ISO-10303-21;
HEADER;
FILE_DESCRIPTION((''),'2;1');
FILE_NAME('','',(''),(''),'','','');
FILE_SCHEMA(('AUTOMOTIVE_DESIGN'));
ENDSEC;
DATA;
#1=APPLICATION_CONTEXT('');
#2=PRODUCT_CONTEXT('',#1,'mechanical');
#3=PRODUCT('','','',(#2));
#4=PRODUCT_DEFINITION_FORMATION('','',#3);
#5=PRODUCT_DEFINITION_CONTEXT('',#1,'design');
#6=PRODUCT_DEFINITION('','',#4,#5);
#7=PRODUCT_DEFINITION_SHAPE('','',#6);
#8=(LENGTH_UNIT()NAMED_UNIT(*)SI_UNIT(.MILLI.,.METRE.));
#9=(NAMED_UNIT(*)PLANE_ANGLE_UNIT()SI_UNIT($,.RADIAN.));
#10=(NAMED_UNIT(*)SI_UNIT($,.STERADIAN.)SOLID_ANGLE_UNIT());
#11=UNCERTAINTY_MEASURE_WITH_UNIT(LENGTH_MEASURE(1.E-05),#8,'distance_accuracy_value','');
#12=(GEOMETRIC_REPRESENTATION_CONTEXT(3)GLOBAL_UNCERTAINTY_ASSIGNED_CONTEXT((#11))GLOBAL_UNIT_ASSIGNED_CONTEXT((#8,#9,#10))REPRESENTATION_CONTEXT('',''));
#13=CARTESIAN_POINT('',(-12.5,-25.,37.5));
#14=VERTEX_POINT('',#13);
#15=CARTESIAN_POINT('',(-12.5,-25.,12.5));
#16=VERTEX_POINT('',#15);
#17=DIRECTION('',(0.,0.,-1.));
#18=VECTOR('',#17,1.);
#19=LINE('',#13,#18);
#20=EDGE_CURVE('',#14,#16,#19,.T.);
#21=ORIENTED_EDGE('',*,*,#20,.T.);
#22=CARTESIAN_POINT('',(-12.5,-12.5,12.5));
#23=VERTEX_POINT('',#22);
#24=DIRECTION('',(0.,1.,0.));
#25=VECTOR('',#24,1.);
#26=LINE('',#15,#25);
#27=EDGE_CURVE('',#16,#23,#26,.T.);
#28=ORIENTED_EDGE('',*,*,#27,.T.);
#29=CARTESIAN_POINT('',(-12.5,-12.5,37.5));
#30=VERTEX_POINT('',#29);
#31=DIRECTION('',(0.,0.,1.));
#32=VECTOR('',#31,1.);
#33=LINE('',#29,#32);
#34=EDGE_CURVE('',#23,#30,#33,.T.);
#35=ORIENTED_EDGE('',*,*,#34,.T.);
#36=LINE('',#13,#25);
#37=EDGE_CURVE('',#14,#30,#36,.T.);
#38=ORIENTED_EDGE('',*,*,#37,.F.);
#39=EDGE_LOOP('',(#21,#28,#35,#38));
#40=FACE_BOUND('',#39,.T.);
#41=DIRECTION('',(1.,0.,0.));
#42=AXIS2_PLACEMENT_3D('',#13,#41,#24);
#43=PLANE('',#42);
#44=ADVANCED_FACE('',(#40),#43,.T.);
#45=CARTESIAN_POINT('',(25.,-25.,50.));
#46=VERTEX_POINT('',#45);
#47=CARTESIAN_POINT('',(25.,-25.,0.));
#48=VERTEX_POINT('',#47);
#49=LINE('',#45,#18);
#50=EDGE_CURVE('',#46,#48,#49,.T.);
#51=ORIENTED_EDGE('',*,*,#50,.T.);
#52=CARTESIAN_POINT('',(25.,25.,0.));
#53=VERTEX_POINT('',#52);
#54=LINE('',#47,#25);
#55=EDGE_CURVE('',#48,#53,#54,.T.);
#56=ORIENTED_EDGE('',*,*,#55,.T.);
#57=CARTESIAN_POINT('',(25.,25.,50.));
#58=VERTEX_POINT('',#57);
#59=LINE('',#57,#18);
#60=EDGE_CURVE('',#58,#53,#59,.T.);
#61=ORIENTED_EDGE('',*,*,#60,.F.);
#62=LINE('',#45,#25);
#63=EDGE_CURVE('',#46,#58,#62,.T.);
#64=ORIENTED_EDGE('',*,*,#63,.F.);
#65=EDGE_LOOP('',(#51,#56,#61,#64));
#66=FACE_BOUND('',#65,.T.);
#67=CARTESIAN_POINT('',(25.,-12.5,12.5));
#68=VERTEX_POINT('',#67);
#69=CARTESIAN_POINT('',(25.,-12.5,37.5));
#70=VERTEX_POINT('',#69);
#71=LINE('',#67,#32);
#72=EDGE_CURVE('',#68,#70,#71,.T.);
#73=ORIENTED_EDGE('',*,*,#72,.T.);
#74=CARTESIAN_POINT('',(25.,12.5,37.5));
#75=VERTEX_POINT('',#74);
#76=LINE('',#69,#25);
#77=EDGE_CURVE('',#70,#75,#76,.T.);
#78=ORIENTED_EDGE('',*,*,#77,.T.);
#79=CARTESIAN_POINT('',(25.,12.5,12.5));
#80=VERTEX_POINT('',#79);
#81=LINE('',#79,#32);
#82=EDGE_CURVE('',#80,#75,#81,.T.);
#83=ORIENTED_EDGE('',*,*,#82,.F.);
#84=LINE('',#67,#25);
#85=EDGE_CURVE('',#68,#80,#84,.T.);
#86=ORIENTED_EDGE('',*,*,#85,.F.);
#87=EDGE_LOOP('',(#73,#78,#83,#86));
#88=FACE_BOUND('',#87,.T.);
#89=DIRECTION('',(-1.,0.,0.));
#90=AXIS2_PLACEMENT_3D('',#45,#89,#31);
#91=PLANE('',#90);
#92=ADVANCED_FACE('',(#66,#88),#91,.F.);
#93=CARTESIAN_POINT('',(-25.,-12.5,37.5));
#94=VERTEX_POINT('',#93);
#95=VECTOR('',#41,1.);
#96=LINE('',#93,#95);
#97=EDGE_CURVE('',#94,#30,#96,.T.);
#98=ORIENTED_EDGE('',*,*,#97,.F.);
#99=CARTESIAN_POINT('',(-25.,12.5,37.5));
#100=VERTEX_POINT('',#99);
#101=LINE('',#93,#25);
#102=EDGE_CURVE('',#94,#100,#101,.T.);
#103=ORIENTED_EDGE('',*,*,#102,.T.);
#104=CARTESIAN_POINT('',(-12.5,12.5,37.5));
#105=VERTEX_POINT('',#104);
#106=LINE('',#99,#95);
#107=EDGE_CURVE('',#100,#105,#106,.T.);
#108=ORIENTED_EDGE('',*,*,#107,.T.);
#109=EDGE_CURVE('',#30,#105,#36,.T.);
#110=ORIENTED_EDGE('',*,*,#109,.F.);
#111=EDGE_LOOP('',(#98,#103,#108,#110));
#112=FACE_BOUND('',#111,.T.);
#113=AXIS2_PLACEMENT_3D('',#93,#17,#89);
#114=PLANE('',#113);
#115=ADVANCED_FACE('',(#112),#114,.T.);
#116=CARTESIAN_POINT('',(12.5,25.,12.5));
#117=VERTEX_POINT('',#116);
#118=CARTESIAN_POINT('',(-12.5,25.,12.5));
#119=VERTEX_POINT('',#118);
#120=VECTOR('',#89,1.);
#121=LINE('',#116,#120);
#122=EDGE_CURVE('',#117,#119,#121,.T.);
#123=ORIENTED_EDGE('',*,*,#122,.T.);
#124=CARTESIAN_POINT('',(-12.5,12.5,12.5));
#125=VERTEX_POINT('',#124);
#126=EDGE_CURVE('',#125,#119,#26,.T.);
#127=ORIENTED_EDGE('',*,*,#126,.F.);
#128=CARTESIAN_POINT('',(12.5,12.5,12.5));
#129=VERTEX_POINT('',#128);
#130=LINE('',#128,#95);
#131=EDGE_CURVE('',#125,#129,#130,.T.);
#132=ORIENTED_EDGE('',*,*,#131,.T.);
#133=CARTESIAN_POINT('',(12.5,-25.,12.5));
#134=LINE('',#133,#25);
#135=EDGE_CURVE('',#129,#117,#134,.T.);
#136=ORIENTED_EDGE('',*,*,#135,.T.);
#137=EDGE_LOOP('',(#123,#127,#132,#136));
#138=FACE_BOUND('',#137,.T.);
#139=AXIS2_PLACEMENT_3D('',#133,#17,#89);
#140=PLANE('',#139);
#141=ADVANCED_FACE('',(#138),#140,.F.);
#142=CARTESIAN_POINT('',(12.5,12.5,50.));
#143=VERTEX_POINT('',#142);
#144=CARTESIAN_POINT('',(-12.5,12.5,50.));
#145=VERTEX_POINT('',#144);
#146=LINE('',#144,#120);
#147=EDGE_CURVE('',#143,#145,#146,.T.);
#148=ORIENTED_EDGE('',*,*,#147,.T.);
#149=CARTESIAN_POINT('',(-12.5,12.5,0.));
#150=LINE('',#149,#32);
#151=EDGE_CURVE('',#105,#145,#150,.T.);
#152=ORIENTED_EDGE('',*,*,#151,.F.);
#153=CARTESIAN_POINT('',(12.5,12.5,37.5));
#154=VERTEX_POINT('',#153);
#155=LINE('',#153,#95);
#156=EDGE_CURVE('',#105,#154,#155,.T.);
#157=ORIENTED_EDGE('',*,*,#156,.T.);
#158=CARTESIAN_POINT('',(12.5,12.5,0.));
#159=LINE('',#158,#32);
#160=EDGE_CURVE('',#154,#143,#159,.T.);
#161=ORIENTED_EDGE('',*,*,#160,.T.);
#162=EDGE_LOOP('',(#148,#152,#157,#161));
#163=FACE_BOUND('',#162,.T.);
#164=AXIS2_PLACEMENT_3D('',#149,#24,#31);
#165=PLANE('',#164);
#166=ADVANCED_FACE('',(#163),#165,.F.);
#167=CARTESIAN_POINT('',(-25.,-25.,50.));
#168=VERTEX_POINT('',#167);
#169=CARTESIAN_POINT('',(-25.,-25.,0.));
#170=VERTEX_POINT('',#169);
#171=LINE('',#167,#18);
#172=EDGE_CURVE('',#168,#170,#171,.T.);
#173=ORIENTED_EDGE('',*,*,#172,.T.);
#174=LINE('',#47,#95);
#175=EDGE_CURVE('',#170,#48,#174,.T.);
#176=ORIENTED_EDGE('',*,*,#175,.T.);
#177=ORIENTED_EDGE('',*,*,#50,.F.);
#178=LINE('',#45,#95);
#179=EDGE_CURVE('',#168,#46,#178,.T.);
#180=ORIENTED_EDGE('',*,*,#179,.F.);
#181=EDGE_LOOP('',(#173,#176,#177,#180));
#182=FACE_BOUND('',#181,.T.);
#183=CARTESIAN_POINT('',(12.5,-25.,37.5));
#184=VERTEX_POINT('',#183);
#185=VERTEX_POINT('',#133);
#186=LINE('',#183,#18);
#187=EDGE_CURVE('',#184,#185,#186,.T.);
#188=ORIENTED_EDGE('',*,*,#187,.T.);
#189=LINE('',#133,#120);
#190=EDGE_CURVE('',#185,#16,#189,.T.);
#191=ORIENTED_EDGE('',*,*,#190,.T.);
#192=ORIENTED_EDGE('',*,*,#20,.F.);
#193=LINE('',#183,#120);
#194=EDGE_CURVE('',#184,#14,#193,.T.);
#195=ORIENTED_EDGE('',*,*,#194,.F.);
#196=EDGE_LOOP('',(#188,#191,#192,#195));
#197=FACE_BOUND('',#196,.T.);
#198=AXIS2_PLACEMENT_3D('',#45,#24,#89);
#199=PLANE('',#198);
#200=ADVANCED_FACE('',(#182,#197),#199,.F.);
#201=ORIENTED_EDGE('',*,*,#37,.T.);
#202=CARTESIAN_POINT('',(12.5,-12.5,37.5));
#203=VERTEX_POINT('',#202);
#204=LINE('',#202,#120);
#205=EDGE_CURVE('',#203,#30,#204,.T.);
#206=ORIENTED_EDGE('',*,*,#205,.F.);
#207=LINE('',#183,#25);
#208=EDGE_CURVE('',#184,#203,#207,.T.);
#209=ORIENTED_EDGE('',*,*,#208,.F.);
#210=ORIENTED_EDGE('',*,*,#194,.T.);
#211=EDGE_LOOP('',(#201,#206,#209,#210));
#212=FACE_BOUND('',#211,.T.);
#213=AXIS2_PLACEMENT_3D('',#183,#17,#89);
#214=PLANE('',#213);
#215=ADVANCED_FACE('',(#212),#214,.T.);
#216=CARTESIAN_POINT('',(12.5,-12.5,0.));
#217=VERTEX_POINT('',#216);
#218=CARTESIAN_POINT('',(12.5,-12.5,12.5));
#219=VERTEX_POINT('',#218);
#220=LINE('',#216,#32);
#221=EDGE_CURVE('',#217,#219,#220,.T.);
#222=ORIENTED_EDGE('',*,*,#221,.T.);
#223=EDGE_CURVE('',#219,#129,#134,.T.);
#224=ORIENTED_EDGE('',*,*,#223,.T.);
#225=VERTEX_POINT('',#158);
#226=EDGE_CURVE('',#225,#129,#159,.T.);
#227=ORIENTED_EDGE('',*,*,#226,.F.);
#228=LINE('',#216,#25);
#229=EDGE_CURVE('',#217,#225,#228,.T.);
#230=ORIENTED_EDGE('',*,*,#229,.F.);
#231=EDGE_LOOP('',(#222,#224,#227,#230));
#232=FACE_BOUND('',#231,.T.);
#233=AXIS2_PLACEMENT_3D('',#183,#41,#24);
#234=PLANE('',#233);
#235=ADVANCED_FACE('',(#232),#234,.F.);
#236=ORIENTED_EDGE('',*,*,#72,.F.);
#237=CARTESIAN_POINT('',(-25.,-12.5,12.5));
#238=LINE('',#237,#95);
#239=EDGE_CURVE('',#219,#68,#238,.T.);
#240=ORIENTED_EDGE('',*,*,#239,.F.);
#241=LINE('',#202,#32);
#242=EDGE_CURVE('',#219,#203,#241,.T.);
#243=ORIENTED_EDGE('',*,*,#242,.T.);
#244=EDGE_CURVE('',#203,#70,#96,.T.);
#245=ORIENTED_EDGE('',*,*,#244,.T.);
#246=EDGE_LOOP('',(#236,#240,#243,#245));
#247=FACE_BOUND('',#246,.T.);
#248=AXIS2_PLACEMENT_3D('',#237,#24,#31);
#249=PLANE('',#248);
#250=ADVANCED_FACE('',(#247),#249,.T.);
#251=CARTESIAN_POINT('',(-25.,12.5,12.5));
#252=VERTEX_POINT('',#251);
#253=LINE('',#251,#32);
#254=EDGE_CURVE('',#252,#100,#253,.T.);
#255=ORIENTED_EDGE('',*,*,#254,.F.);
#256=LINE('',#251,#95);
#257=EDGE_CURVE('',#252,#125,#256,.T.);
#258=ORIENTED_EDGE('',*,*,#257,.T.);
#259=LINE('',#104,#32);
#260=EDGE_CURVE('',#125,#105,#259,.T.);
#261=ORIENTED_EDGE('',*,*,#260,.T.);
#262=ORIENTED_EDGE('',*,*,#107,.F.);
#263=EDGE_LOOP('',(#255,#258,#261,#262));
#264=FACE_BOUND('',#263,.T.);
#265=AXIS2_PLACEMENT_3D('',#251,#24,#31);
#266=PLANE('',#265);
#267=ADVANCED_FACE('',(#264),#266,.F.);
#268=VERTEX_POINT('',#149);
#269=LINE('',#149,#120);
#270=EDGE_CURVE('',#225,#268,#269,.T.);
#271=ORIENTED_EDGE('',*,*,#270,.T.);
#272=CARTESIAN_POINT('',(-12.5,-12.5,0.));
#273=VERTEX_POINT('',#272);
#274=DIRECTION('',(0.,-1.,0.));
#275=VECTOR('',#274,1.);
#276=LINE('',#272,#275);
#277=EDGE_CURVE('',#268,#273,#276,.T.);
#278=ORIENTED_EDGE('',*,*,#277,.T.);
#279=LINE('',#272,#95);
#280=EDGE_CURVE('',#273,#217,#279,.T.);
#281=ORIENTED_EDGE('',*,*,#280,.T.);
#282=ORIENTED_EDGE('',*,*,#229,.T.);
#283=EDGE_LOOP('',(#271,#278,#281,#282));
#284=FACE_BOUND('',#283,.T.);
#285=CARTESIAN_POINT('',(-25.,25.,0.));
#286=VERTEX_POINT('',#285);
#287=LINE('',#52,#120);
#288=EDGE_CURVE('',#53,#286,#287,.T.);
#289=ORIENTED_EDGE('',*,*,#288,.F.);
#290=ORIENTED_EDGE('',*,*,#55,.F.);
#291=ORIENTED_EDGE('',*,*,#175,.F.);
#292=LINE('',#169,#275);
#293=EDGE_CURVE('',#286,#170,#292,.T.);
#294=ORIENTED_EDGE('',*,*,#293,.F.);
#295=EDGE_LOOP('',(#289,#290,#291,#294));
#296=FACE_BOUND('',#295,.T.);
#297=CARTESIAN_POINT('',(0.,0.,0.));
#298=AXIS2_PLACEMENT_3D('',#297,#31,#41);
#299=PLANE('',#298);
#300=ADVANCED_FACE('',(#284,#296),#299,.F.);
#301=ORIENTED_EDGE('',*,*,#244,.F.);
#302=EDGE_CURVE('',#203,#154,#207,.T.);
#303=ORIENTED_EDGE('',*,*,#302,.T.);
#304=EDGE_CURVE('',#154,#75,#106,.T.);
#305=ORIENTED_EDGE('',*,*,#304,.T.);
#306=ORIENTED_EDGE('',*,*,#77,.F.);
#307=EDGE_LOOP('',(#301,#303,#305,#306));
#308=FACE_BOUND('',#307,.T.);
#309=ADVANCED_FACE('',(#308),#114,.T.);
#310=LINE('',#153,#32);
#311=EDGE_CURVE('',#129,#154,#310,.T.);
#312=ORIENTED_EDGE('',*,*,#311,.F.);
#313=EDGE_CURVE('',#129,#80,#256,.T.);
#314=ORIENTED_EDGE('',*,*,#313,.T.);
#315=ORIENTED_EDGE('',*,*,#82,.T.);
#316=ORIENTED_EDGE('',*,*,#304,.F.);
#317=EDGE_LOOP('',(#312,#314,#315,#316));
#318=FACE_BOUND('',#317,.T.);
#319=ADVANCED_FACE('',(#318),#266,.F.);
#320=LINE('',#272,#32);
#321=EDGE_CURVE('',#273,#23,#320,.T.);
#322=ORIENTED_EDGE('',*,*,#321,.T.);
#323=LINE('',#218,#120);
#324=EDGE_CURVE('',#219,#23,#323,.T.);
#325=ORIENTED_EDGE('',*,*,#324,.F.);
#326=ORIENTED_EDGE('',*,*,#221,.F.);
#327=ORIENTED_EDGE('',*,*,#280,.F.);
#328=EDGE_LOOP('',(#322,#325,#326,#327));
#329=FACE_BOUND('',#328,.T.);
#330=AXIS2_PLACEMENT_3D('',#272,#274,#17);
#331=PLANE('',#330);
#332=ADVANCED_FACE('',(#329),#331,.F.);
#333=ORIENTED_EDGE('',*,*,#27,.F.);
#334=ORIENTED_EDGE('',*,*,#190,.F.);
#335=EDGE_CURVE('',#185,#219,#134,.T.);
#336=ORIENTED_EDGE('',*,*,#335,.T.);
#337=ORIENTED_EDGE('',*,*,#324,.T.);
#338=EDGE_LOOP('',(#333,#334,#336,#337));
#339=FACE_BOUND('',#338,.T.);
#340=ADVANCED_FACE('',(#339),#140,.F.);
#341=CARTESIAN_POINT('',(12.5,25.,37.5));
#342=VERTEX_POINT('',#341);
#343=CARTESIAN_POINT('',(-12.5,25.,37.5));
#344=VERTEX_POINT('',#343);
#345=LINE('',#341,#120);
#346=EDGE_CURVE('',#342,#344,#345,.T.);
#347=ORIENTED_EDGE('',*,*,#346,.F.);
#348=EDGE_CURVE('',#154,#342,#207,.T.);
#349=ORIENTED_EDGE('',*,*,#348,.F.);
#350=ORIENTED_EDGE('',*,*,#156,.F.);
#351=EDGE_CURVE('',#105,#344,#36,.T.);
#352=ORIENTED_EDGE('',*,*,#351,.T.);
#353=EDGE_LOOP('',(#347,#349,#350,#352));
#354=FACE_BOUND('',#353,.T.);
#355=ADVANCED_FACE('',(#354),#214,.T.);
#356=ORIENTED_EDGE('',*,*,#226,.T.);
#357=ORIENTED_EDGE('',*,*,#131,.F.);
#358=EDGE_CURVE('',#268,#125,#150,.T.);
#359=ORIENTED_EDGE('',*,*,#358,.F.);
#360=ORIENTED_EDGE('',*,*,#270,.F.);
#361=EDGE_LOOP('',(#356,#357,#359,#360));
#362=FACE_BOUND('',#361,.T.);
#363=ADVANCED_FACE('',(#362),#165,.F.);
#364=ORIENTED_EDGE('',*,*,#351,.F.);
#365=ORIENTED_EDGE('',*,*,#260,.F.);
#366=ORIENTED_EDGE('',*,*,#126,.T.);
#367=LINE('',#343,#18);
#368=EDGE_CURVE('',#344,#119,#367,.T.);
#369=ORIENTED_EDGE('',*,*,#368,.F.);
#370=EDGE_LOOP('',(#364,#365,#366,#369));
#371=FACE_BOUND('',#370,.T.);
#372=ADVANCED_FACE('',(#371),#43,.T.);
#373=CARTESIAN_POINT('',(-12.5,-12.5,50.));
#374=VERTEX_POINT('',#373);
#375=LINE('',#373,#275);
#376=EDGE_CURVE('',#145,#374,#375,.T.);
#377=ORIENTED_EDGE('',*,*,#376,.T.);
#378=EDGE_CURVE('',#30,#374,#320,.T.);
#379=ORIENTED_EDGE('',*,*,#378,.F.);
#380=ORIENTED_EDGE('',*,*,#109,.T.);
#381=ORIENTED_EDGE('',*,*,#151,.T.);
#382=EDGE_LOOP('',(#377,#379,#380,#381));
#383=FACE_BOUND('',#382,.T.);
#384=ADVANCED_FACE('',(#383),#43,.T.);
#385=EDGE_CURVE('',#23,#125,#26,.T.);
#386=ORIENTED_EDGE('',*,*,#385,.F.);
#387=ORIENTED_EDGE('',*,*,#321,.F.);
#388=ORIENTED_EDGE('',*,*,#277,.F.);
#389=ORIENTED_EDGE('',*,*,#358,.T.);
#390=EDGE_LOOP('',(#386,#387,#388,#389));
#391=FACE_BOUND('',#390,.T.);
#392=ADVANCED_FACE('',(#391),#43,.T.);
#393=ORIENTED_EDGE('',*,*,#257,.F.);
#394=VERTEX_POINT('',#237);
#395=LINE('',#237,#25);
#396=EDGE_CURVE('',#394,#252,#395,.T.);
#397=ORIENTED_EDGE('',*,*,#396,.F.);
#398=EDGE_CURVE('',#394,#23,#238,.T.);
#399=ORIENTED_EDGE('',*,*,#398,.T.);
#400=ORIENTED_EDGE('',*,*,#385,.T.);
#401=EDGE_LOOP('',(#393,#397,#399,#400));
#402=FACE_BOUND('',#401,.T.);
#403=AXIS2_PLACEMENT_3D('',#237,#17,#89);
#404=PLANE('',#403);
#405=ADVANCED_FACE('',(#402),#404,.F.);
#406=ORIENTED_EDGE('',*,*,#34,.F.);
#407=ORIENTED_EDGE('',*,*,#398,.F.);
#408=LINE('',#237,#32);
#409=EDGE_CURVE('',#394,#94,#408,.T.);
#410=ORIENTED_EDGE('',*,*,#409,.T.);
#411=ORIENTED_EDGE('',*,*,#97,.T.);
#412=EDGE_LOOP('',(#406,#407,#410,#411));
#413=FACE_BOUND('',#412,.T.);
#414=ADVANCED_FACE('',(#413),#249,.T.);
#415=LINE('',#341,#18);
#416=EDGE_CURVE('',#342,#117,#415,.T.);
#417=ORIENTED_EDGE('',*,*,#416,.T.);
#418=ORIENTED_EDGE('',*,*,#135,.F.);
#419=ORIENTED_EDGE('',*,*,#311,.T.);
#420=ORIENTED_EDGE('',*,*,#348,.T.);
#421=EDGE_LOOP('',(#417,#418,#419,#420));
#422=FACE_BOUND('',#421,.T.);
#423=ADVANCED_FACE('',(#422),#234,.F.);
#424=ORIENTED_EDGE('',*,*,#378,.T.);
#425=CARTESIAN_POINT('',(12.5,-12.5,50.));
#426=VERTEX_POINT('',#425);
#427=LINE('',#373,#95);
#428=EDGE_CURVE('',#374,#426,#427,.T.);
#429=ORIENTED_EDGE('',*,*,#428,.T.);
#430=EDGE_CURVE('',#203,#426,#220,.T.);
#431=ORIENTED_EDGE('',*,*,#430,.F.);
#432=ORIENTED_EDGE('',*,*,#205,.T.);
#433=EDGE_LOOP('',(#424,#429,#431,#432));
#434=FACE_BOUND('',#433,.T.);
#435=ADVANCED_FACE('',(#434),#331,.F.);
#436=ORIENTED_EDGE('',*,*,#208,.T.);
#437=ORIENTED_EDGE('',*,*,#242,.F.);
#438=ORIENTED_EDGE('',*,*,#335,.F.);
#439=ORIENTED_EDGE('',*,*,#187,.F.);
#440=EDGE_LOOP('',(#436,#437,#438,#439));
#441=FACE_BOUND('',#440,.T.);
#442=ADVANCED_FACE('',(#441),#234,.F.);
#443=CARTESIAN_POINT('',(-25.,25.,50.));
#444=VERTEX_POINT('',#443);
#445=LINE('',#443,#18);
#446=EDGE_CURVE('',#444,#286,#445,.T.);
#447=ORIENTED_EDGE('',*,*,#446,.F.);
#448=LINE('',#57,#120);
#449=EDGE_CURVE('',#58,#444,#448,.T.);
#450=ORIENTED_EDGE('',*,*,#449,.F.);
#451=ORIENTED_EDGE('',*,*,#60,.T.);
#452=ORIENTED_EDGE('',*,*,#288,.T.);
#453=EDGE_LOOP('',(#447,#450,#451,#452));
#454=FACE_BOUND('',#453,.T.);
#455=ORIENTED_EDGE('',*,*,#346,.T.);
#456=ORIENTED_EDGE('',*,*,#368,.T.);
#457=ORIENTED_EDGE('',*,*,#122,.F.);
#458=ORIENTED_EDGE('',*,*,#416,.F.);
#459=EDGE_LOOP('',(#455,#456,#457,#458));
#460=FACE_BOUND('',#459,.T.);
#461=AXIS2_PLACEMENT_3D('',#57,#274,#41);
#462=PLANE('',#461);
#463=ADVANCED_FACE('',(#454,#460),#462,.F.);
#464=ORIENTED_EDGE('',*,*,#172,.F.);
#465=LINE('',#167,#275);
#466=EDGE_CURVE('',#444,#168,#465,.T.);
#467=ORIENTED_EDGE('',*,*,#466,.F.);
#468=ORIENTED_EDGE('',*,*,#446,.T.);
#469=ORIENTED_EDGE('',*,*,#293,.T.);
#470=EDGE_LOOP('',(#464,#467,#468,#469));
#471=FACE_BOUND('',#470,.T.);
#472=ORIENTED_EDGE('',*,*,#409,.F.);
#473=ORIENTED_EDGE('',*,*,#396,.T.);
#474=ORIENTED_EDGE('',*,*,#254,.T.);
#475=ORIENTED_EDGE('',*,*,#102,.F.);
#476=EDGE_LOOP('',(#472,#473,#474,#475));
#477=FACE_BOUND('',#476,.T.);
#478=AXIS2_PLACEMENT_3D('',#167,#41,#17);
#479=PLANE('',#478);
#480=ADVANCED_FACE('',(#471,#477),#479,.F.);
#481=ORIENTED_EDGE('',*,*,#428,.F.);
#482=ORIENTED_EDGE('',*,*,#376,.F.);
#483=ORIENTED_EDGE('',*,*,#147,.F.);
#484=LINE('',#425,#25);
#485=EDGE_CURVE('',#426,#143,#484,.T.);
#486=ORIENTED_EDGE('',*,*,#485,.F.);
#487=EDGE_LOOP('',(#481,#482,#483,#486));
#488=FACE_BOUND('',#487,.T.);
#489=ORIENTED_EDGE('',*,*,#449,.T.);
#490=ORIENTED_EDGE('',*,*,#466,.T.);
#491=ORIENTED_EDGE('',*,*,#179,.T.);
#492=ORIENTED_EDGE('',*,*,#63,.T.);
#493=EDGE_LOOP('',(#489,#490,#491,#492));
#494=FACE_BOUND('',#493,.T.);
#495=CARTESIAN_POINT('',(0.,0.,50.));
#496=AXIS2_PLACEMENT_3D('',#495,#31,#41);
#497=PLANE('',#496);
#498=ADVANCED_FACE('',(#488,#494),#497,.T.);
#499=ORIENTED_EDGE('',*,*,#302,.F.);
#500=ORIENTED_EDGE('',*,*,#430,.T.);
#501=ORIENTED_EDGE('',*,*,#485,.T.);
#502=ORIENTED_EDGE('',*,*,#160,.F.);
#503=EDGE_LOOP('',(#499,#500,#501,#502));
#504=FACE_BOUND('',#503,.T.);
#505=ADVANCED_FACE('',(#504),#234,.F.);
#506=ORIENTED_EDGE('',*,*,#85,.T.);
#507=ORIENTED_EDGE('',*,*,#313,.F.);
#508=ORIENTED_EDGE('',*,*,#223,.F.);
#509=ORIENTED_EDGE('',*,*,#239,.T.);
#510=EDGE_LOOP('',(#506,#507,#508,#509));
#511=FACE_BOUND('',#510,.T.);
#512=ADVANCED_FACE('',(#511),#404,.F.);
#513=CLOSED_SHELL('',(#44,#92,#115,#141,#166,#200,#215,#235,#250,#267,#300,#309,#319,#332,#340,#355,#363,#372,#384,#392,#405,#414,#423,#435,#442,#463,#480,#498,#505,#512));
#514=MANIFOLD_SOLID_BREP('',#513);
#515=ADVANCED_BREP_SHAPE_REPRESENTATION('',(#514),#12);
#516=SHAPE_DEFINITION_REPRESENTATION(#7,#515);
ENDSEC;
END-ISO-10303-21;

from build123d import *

# Parameters (mm, degrees)
SKETCH2_W           = 50
SKETCH2_H           = 50
BOSS_EXTRUDE1_DEPTH = 50
SKETCH3_W           = 25
SKETCH3_H           = 25
CUT_EXTRUDE1_DEPTH  = 76
SKETCH4_W           = 25
SKETCH4_H           = 25
CUT_EXTRUDE2_DEPTH  = 62.23724357
SKETCH5_W           = 25
SKETCH5_H           = 25
CUT_EXTRUDE3_DEPTH  = 76


with BuildPart() as part:
    # Sketch2 → Boss-Extrude1 (new body)
    with BuildSketch(Plane.XY):
        Rectangle(SKETCH2_W, SKETCH2_H)
    extrude(amount=BOSS_EXTRUDE1_DEPTH)

    # Sketch3 → Cut-Extrude1 (cut, through all)
    with BuildSketch(Plane(origin=(0, 25, 0), x_dir=(1, 0, 0), z_dir=(0, 1, 0))):
        with Locations((0, -25)):
            Rectangle(SKETCH3_W, SKETCH3_H)
    extrude(amount=-CUT_EXTRUDE1_DEPTH, mode=Mode.SUBTRACT)

    # Sketch4 → Cut-Extrude2 (cut, through all)
    with BuildSketch(Plane.XY.offset(50)):
        Rectangle(SKETCH4_W, SKETCH4_H)
    extrude(amount=-CUT_EXTRUDE2_DEPTH, mode=Mode.SUBTRACT)

    # Sketch5 → Cut-Extrude3 (cut, through all)
    with BuildSketch(Plane(origin=(25, 0, 0), x_dir=(0, 0, -1), z_dir=(1, 0, 0))):
        with Locations((-25, 0)):
            Rectangle(SKETCH5_W, SKETCH5_H)
    extrude(amount=-CUT_EXTRUDE3_DEPTH, mode=Mode.SUBTRACT)


solid = part.part
